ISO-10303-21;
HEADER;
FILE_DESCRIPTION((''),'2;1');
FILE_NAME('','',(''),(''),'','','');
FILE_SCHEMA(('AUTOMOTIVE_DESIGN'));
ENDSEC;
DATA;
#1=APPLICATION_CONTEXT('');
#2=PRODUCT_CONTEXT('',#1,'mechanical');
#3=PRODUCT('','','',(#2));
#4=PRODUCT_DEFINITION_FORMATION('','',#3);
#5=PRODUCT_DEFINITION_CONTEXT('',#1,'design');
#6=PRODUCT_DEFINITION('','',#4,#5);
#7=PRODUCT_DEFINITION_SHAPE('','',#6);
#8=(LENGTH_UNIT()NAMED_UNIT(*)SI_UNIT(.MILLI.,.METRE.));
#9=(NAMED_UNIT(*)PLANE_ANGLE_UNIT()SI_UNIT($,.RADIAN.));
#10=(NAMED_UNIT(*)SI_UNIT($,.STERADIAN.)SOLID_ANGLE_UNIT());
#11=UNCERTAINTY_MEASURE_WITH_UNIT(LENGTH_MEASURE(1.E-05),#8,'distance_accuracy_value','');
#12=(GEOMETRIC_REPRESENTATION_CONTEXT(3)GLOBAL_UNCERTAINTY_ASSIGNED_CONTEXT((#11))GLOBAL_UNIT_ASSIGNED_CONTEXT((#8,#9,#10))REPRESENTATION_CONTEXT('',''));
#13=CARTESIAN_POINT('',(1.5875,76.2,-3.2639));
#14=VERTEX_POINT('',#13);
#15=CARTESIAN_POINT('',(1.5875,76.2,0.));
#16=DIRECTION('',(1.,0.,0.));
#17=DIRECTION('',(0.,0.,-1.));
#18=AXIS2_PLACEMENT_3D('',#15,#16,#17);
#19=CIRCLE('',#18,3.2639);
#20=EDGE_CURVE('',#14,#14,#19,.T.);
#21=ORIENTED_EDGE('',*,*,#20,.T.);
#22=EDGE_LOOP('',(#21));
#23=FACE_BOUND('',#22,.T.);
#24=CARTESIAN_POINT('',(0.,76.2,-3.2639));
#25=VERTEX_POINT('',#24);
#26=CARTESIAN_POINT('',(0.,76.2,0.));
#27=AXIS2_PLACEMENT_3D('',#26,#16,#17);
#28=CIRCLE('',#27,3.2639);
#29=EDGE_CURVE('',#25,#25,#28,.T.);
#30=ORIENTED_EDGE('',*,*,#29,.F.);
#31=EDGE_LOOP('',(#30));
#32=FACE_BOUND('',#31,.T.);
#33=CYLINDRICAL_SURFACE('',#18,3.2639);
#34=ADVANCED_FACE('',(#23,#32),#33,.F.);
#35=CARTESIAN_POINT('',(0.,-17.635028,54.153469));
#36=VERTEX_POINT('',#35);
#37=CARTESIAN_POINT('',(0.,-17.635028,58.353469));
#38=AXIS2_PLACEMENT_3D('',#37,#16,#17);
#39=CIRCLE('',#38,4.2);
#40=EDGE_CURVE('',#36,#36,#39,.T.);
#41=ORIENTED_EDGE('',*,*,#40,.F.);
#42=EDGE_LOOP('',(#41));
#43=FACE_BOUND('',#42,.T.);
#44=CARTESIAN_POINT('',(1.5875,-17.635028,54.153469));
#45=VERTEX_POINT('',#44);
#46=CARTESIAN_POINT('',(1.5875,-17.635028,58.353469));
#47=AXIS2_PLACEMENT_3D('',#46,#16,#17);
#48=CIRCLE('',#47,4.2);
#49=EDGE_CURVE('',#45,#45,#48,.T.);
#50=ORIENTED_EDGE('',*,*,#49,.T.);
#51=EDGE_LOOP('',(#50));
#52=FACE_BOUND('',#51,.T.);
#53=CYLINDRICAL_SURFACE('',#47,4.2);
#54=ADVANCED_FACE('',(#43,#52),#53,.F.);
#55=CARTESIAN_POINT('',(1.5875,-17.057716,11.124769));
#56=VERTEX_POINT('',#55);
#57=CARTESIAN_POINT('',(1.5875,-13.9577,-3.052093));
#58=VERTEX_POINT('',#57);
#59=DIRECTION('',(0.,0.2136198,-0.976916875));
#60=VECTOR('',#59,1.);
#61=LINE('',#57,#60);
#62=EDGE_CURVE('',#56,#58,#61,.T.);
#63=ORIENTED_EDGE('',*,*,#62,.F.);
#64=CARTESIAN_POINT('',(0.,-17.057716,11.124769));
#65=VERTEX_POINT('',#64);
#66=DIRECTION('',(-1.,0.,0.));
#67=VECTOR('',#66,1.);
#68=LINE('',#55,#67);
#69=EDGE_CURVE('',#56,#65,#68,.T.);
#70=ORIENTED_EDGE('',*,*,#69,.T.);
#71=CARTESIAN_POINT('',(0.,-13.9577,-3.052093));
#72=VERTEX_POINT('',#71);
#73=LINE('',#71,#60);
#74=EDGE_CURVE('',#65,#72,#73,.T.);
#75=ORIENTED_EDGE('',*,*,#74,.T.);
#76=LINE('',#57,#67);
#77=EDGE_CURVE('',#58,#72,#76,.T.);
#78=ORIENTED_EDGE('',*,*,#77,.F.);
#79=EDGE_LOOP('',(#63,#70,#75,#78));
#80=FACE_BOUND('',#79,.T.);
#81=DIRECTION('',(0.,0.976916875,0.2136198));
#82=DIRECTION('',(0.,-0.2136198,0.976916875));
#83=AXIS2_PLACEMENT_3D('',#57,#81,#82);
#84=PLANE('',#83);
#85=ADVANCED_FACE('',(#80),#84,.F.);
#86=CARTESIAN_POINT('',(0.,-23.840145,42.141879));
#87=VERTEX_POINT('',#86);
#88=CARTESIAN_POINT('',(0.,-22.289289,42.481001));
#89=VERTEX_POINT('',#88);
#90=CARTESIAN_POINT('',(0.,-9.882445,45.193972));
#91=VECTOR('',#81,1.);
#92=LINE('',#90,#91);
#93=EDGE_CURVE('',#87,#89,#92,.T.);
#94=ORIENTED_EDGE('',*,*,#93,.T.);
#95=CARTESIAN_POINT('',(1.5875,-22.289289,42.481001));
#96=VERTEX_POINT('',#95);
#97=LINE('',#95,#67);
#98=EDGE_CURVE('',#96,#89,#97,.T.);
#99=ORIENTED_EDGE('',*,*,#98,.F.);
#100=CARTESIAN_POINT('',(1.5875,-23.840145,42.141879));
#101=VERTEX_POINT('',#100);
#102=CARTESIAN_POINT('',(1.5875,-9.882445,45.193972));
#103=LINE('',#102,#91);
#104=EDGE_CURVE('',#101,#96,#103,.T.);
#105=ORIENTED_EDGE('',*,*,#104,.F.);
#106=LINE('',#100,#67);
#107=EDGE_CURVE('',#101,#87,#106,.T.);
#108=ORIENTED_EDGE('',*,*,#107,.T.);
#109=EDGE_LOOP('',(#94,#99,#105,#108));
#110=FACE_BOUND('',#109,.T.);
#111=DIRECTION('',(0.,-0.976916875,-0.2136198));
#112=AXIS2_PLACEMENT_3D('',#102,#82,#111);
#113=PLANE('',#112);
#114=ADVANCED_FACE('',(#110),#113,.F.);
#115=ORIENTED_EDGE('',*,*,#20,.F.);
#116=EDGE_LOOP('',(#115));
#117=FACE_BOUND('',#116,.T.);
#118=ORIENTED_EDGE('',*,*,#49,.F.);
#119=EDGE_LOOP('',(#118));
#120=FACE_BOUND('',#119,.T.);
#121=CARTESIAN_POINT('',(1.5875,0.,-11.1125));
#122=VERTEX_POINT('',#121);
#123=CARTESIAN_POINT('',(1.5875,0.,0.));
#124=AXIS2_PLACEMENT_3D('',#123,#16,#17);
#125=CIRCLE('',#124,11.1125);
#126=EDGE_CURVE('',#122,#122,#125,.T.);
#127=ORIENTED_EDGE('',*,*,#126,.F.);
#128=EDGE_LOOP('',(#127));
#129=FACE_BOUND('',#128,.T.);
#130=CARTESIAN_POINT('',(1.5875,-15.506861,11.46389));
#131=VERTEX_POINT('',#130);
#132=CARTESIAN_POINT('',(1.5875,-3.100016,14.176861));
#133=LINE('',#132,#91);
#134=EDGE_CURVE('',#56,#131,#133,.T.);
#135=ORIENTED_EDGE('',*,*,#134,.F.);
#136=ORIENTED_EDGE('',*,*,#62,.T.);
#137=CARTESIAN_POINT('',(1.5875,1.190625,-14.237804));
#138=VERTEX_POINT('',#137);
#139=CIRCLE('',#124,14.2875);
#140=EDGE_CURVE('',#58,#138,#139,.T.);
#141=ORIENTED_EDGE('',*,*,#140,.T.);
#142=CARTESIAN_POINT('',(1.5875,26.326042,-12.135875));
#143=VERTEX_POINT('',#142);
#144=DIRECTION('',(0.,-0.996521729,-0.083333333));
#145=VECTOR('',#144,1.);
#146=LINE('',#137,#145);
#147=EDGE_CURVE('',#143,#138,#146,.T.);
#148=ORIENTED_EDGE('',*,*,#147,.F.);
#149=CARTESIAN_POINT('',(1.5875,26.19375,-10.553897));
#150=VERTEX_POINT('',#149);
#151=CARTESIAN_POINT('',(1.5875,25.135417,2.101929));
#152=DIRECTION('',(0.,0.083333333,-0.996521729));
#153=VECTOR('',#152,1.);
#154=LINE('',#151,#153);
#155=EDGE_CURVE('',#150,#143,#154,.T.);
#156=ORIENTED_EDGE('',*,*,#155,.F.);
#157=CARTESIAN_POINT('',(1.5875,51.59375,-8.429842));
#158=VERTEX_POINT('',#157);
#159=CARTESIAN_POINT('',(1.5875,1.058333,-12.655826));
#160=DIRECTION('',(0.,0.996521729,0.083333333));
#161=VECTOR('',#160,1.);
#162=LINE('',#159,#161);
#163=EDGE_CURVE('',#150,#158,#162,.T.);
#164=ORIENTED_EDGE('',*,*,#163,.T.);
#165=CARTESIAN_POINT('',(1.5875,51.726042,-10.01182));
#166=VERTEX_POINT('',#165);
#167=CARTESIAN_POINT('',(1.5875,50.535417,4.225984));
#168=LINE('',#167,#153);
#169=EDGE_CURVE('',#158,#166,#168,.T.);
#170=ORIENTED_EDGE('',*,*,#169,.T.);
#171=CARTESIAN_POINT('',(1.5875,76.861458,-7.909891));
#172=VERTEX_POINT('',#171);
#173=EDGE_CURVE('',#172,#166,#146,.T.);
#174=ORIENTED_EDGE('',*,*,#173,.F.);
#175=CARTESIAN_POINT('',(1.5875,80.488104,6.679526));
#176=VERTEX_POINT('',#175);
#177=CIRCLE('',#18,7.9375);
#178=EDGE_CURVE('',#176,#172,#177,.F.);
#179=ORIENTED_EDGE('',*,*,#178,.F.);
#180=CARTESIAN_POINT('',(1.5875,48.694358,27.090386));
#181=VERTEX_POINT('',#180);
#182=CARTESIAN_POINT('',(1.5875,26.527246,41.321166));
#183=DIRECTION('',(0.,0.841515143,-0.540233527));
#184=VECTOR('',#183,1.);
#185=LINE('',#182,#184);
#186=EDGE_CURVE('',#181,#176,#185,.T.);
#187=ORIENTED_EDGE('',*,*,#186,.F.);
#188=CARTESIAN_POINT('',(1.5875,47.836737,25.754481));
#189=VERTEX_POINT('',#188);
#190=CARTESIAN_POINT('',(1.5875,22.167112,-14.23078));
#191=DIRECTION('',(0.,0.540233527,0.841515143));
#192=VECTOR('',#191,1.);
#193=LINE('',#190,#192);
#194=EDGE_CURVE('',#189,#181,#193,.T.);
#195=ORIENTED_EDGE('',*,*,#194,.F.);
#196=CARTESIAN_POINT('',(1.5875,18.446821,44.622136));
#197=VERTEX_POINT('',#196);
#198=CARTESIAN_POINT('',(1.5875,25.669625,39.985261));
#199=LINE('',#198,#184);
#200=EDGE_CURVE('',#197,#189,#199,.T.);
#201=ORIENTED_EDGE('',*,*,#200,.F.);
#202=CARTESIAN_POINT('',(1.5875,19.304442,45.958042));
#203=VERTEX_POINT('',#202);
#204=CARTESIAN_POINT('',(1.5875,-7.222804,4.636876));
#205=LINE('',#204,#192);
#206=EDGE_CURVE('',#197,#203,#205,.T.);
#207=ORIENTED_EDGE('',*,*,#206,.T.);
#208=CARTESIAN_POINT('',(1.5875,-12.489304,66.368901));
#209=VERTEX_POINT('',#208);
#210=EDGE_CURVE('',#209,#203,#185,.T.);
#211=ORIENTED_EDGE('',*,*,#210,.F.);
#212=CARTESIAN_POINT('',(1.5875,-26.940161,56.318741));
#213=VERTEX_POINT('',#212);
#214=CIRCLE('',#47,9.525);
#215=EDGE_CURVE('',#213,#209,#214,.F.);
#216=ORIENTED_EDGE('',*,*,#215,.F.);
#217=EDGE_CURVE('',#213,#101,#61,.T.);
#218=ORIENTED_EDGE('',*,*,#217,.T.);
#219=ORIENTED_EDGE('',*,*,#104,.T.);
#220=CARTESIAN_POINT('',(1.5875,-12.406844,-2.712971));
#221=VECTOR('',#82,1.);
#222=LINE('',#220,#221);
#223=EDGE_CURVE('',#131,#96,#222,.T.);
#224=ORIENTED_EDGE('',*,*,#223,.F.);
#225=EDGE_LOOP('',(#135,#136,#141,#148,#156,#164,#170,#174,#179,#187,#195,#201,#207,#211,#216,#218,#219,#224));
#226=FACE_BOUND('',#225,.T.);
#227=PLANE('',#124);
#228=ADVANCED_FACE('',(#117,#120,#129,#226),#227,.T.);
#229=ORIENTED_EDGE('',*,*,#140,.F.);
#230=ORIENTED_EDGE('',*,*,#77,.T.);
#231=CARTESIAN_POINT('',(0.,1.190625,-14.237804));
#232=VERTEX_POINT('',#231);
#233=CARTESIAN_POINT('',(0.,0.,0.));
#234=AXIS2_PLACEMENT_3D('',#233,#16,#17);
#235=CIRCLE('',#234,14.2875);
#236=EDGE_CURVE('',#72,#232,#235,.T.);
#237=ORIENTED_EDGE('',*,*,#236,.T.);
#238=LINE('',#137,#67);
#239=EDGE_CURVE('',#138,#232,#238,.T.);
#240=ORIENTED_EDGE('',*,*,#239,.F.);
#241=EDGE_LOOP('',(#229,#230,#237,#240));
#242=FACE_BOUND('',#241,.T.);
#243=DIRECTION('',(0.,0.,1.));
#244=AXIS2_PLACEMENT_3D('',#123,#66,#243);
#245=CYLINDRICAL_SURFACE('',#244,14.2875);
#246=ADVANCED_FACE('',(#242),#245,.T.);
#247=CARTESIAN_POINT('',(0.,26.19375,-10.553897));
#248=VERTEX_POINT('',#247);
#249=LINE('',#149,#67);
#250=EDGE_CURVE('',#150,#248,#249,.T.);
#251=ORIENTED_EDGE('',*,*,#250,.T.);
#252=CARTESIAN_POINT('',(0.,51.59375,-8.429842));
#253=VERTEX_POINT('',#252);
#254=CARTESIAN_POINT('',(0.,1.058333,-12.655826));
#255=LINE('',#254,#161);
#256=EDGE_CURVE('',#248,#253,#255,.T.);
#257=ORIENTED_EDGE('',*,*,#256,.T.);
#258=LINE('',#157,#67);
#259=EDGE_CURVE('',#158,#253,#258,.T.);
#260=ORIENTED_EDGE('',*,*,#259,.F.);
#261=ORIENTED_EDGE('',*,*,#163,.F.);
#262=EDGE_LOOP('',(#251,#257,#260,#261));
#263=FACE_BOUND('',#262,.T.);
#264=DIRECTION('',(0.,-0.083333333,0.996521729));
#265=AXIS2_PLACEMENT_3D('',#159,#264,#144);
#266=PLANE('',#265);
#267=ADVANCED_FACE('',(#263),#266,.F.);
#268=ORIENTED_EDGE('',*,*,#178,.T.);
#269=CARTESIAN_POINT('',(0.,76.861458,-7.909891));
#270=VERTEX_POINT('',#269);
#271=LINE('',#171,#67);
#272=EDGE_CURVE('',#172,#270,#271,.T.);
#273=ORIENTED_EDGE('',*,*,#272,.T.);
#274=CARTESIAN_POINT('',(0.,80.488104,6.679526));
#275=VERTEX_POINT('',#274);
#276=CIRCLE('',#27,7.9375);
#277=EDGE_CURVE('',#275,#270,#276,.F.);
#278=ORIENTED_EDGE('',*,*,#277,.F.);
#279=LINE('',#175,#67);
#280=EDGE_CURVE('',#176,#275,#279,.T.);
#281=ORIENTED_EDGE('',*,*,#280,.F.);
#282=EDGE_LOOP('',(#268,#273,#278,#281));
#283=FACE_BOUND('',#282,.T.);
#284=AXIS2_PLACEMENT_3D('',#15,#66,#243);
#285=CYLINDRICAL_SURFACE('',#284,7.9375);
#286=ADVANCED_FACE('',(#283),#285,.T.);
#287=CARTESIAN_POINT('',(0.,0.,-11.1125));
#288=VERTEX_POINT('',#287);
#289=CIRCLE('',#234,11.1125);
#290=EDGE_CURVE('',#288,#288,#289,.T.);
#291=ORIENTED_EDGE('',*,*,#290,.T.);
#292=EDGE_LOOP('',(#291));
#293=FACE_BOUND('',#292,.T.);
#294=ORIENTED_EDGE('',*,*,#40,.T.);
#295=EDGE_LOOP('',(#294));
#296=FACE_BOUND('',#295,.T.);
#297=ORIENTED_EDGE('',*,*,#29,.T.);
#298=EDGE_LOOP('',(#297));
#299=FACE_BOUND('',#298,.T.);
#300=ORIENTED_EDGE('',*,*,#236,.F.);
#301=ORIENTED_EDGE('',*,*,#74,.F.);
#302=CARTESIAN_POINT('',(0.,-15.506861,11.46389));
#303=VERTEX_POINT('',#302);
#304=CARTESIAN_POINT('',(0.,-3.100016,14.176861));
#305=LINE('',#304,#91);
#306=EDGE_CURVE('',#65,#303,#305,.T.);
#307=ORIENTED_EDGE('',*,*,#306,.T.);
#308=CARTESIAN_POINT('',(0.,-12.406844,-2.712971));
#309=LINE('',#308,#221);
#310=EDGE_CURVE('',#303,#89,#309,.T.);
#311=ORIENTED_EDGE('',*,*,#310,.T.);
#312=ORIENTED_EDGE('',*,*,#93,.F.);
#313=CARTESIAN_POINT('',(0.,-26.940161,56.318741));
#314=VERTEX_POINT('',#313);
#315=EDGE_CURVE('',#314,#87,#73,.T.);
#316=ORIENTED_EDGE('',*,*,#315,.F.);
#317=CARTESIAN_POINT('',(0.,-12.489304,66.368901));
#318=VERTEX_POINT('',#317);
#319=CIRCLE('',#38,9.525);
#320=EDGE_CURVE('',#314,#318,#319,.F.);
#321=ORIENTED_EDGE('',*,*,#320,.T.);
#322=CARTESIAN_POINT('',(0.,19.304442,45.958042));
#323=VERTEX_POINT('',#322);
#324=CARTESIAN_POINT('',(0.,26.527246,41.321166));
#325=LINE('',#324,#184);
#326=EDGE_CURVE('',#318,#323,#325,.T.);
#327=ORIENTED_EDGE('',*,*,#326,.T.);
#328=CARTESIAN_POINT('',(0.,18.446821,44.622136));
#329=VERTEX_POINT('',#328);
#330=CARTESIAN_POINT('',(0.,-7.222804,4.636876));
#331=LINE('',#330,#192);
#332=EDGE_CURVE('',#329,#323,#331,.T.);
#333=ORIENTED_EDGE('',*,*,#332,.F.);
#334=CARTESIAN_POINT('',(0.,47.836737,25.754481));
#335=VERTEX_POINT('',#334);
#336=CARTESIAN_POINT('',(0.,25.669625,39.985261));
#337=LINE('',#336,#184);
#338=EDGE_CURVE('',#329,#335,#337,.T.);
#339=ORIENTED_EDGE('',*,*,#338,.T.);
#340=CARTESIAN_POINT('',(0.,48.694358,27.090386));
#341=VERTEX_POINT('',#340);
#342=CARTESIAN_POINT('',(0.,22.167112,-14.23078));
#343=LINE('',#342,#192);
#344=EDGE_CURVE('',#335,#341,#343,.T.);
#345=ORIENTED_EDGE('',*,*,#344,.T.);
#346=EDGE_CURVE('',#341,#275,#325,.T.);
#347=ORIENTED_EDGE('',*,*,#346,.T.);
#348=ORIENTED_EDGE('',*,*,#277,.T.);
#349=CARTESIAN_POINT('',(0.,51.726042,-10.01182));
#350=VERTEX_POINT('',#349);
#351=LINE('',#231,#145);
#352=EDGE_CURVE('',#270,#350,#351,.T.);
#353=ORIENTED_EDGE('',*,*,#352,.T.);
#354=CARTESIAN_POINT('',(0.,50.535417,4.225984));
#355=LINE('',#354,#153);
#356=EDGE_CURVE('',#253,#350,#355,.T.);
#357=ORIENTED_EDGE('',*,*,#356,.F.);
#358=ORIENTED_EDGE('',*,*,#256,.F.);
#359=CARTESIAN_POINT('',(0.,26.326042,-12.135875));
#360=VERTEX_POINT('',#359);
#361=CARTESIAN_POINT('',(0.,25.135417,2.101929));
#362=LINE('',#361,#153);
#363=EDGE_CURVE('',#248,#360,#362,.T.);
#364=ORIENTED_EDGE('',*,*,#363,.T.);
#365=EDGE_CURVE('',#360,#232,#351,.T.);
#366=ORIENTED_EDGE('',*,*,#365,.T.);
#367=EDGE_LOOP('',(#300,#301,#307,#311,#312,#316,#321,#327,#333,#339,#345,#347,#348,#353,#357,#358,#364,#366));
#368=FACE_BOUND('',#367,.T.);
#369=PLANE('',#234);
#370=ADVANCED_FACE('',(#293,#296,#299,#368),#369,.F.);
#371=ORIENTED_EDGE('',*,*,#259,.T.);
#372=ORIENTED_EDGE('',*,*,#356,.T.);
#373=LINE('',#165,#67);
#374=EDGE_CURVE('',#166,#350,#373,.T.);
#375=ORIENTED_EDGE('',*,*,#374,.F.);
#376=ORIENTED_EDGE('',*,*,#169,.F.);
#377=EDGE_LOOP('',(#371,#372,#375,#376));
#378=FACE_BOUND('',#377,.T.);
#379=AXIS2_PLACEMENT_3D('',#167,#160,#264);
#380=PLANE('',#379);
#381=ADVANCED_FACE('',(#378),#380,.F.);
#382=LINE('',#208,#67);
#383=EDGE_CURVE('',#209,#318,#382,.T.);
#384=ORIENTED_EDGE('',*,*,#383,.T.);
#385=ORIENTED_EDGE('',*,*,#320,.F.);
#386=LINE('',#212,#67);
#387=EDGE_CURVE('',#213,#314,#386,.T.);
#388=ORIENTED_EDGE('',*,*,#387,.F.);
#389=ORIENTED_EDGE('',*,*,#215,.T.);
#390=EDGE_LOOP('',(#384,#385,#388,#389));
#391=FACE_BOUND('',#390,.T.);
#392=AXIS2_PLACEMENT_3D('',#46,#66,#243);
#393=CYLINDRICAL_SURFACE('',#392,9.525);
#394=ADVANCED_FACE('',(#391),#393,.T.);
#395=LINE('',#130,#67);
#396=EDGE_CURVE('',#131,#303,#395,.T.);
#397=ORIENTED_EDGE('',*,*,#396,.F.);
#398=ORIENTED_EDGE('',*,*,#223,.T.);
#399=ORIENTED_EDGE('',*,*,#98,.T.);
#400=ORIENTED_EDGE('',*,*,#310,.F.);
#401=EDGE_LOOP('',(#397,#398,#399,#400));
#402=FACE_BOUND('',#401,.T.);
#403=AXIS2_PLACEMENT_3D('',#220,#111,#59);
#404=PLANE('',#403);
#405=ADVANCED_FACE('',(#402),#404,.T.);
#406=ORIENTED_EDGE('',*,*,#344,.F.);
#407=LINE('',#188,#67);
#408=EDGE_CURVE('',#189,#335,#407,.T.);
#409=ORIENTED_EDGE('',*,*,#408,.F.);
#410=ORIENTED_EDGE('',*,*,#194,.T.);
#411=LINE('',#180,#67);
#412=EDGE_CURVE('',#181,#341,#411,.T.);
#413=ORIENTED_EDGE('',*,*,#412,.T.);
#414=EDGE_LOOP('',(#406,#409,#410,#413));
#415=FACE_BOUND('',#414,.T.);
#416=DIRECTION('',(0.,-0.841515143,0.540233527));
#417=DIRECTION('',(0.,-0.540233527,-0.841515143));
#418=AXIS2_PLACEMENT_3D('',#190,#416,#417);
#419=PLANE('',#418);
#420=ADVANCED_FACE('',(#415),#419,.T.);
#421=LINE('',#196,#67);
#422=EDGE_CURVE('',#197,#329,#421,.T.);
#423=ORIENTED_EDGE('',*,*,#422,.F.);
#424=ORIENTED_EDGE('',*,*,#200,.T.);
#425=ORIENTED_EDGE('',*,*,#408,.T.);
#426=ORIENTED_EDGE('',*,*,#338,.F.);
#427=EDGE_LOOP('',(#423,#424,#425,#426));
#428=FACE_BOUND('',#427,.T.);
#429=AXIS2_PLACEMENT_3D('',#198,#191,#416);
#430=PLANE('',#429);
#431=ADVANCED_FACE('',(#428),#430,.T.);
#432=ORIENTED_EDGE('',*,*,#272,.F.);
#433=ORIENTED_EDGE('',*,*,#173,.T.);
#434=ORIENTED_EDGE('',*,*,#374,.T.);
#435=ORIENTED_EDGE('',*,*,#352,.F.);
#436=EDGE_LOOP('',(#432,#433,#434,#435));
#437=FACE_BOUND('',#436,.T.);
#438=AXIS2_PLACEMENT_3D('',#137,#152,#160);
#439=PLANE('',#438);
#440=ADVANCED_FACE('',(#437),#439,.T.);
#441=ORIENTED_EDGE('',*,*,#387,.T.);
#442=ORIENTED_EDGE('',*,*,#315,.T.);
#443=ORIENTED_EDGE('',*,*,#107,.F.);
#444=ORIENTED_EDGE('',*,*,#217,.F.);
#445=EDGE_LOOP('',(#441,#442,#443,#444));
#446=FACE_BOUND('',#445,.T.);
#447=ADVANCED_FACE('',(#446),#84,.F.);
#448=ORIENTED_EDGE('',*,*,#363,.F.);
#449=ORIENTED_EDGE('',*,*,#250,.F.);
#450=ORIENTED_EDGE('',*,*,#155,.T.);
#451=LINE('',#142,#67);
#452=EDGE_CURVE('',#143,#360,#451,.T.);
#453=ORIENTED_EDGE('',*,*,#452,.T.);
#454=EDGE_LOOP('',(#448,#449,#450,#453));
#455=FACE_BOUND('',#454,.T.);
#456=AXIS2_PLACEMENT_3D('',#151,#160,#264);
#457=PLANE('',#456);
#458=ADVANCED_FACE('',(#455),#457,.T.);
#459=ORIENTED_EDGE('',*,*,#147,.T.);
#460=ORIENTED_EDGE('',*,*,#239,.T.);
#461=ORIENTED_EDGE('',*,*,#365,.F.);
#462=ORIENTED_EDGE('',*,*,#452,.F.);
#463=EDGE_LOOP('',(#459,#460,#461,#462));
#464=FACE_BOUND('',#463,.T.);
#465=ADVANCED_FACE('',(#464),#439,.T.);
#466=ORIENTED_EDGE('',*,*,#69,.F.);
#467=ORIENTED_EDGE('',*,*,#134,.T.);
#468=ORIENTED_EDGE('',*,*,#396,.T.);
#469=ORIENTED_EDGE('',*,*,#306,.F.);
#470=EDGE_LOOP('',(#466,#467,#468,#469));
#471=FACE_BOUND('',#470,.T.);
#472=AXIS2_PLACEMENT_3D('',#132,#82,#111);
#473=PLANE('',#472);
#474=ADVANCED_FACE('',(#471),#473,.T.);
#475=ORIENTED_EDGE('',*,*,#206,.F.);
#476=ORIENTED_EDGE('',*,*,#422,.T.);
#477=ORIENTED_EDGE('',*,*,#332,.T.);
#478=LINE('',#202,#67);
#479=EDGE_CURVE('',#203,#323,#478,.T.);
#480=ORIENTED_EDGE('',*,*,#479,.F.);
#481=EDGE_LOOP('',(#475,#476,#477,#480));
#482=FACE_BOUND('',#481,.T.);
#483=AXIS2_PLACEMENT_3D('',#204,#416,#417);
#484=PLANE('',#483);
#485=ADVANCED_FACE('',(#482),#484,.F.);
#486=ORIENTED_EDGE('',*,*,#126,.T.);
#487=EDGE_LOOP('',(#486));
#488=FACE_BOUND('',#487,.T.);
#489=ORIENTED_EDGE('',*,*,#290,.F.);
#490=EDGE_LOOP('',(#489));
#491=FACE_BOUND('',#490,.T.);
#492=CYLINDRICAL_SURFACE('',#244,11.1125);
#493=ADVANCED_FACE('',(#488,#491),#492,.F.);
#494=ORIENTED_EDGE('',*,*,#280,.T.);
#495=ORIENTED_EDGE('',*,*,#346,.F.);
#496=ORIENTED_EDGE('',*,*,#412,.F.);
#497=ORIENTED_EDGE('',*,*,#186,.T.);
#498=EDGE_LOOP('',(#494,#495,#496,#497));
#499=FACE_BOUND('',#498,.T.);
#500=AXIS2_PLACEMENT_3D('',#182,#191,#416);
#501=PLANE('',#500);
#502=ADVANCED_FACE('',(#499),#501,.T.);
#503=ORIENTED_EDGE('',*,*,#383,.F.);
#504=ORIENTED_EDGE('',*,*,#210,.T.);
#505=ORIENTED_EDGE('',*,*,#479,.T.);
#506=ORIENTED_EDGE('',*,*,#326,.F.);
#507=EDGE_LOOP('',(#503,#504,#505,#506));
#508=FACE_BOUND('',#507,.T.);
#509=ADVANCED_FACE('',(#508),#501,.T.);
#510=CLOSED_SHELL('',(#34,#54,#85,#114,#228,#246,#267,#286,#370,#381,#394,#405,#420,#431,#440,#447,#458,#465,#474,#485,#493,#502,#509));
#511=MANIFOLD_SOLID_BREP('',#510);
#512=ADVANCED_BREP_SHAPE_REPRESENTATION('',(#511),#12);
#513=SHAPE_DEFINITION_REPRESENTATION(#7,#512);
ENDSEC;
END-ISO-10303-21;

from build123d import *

# Parameters (mm, degrees)
SKETCH1_R               = 11.1125
BOSS_EXTRUDE1_DEPTH     = 1.5875
F_1_4_CLEARANCE_HOLE1_D = 6.5278
M8_CLEARANCE_HOLE1_D    = 8.4


with BuildPart() as part:
    # Sketch1 → Boss-Extrude1 (new body)
    with BuildSketch(Plane(origin=(0, 0, 0), x_dir=(0, 0, -1), z_dir=(1, 0, 0))):
        with BuildLine():
            ThreePointArc((-66.368901101, -12.489303685), (-66.173253482, -23.073465422), (-56.318740763, -26.940161264))
            Line((-56.318740763, -26.940161264), (-42.141879325, -23.840144889))
            Line((-42.141879325, -23.840144889), (-42.481000758, -22.28928935))
            Line((-42.481000758, -22.28928935), (-11.463889973, -15.506860689))
            Line((-11.463889973, -15.506860689), (-11.12476854, -17.057716228))
            Line((-11.12476854, -17.057716228), (3.052092897, -13.957699853))
            ThreePointArc((3.052092897, -13.957699853), (11.493610044, -8.487024473), (14.237804197, 1.190625))
            Line((14.237804197, 1.190625), (12.135875062, 26.326041667))
            Line((12.135875062, 26.326041667), (10.553896818, 26.19375))
            Line((10.553896818, 26.19375), (8.429842112, 51.59375))
            Line((8.429842112, 51.59375), (10.011820356, 51.726041667))
            Line((10.011820356, 51.726041667), (7.909891221, 76.861458333))
            ThreePointArc((7.909891221, 76.861458333), (1.914833772, 83.903071977), (-6.67952645, 80.488103619))
            Line((-6.67952645, 80.488103619), (-27.090385813, 48.694358158))
            Line((-27.090385813, 48.694358158), (-25.754480523, 47.836737434))
            Line((-25.754480523, 47.836737434), (-44.622136448, 18.446821053))
            Line((-44.622136448, 18.446821053), (-45.958041738, 19.304441777))
            Line((-45.958041738, 19.304441777), (-66.368901101, -12.489303685))
        make_face()
        Circle(SKETCH1_R, mode=Mode.SUBTRACT)
    extrude(amount=BOSS_EXTRUDE1_DEPTH)

    # 1/4 Clearance Hole1 (through all)
    with Locations(Plane(origin=(1.5875, 0, 0), x_dir=(0, 0, -1), z_dir=(1, 0, 0))):
        with Locations((0, 76.2)):
            Hole(F_1_4_CLEARANCE_HOLE1_D / 2)

    # M8 Clearance Hole1 (through all)
    with Locations(Plane(origin=(1.5875, 0, 0), x_dir=(0, 0, -1), z_dir=(1, 0, 0))):
        with Locations((-58.353469361, -17.635028028)):
            Hole(M8_CLEARANCE_HOLE1_D / 2)


solid = part.part
